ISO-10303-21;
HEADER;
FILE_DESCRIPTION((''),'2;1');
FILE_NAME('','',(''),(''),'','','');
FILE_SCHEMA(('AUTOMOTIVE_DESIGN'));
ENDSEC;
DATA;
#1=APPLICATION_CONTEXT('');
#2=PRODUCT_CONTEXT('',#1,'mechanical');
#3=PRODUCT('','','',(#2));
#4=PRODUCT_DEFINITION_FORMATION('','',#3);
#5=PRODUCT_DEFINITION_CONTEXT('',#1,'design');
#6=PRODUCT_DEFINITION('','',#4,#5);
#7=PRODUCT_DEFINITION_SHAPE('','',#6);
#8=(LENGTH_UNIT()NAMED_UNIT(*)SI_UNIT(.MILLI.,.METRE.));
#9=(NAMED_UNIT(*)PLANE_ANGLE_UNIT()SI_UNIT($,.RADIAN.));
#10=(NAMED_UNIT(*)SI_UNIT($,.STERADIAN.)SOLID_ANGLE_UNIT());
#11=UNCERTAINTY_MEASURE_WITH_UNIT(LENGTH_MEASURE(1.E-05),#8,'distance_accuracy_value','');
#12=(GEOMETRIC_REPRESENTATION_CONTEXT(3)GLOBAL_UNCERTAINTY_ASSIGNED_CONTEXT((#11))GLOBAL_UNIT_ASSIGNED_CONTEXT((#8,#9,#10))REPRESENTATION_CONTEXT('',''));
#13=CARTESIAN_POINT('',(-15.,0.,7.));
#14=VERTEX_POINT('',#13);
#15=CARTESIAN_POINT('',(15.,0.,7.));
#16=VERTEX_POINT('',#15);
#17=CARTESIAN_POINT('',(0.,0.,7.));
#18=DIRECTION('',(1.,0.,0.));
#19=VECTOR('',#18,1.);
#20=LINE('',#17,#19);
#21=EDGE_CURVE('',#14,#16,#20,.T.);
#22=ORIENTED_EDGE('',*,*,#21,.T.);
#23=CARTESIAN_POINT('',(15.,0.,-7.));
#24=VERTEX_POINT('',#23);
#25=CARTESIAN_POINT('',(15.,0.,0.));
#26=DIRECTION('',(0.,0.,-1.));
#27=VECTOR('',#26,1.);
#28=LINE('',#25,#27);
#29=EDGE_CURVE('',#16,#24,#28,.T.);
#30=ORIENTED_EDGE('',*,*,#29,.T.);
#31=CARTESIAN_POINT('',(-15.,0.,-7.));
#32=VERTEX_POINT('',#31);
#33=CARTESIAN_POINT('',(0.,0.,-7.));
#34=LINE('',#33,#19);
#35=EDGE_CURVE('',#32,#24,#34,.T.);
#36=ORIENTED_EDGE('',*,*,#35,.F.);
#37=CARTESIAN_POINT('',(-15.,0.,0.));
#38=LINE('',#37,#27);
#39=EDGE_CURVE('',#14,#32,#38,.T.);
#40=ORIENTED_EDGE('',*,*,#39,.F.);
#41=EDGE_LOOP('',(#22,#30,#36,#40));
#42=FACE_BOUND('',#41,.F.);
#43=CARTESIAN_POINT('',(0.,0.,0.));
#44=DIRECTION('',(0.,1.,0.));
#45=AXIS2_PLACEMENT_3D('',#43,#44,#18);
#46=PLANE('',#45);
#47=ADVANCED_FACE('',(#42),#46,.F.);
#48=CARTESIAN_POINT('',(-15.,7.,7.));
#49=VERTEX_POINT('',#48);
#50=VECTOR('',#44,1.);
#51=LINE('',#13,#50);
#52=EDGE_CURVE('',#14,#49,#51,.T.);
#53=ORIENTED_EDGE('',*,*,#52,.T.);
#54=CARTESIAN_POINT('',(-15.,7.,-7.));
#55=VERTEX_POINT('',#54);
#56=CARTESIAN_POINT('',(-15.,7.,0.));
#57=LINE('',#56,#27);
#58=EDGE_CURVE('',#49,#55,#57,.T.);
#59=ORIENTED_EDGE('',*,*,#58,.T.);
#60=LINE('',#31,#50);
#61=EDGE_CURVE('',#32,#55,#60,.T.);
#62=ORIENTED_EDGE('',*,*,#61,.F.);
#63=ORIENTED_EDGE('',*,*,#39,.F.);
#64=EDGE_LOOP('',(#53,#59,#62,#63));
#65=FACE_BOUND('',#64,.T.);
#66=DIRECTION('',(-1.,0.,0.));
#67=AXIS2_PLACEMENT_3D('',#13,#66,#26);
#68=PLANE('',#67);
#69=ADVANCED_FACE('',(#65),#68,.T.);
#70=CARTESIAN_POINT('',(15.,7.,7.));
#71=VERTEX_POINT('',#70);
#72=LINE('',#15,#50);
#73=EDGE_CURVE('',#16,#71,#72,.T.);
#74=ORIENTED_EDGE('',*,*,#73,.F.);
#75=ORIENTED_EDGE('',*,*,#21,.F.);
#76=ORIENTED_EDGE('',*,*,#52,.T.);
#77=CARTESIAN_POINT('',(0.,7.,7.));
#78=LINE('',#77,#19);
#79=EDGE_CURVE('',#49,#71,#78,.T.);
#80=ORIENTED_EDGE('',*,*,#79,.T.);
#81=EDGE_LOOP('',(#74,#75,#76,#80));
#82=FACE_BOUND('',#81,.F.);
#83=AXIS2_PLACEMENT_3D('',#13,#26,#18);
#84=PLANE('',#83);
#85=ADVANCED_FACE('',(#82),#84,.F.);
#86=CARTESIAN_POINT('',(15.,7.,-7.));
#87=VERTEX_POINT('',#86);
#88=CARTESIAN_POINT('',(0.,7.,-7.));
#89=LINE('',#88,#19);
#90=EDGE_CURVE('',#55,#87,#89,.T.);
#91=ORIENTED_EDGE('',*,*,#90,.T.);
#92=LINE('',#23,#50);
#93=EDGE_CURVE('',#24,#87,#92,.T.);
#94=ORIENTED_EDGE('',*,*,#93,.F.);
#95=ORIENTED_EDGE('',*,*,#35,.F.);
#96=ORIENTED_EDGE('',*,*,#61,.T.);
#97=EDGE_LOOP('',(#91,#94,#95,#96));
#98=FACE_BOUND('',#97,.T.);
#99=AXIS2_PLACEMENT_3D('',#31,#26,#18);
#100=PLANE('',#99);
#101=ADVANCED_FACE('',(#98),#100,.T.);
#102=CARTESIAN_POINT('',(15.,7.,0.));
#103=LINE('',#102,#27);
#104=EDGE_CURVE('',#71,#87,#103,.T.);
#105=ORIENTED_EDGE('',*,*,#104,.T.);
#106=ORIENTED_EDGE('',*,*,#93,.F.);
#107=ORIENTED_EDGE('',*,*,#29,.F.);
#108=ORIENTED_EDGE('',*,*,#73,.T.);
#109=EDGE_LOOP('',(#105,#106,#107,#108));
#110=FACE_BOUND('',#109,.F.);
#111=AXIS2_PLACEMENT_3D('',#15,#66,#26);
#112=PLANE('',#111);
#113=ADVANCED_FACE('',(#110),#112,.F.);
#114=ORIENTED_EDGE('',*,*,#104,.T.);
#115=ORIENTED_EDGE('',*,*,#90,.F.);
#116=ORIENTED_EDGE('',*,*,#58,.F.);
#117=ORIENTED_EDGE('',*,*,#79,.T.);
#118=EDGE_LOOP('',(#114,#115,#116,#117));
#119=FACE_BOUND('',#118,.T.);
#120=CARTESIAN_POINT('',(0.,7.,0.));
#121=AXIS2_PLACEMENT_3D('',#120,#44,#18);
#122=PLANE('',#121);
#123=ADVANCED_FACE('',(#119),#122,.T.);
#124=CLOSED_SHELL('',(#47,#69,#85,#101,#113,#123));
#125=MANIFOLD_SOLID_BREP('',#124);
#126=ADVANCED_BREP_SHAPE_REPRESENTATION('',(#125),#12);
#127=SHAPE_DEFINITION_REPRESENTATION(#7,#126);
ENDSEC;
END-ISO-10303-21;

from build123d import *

# Parameters (mm, degrees)
SKETCH1_W           = 30
SKETCH1_H           = 14
BOSS_EXTRUDE1_DEPTH = 7


with BuildPart() as part:
    # Sketch1 → Boss-Extrude1 (new body)
    with BuildSketch(Plane(origin=(0, 0, 0), x_dir=(1, 0, 0), z_dir=(0, 1, 0))):
        Rectangle(SKETCH1_W, SKETCH1_H)
    extrude(amount=BOSS_EXTRUDE1_DEPTH)


solid = part.part
